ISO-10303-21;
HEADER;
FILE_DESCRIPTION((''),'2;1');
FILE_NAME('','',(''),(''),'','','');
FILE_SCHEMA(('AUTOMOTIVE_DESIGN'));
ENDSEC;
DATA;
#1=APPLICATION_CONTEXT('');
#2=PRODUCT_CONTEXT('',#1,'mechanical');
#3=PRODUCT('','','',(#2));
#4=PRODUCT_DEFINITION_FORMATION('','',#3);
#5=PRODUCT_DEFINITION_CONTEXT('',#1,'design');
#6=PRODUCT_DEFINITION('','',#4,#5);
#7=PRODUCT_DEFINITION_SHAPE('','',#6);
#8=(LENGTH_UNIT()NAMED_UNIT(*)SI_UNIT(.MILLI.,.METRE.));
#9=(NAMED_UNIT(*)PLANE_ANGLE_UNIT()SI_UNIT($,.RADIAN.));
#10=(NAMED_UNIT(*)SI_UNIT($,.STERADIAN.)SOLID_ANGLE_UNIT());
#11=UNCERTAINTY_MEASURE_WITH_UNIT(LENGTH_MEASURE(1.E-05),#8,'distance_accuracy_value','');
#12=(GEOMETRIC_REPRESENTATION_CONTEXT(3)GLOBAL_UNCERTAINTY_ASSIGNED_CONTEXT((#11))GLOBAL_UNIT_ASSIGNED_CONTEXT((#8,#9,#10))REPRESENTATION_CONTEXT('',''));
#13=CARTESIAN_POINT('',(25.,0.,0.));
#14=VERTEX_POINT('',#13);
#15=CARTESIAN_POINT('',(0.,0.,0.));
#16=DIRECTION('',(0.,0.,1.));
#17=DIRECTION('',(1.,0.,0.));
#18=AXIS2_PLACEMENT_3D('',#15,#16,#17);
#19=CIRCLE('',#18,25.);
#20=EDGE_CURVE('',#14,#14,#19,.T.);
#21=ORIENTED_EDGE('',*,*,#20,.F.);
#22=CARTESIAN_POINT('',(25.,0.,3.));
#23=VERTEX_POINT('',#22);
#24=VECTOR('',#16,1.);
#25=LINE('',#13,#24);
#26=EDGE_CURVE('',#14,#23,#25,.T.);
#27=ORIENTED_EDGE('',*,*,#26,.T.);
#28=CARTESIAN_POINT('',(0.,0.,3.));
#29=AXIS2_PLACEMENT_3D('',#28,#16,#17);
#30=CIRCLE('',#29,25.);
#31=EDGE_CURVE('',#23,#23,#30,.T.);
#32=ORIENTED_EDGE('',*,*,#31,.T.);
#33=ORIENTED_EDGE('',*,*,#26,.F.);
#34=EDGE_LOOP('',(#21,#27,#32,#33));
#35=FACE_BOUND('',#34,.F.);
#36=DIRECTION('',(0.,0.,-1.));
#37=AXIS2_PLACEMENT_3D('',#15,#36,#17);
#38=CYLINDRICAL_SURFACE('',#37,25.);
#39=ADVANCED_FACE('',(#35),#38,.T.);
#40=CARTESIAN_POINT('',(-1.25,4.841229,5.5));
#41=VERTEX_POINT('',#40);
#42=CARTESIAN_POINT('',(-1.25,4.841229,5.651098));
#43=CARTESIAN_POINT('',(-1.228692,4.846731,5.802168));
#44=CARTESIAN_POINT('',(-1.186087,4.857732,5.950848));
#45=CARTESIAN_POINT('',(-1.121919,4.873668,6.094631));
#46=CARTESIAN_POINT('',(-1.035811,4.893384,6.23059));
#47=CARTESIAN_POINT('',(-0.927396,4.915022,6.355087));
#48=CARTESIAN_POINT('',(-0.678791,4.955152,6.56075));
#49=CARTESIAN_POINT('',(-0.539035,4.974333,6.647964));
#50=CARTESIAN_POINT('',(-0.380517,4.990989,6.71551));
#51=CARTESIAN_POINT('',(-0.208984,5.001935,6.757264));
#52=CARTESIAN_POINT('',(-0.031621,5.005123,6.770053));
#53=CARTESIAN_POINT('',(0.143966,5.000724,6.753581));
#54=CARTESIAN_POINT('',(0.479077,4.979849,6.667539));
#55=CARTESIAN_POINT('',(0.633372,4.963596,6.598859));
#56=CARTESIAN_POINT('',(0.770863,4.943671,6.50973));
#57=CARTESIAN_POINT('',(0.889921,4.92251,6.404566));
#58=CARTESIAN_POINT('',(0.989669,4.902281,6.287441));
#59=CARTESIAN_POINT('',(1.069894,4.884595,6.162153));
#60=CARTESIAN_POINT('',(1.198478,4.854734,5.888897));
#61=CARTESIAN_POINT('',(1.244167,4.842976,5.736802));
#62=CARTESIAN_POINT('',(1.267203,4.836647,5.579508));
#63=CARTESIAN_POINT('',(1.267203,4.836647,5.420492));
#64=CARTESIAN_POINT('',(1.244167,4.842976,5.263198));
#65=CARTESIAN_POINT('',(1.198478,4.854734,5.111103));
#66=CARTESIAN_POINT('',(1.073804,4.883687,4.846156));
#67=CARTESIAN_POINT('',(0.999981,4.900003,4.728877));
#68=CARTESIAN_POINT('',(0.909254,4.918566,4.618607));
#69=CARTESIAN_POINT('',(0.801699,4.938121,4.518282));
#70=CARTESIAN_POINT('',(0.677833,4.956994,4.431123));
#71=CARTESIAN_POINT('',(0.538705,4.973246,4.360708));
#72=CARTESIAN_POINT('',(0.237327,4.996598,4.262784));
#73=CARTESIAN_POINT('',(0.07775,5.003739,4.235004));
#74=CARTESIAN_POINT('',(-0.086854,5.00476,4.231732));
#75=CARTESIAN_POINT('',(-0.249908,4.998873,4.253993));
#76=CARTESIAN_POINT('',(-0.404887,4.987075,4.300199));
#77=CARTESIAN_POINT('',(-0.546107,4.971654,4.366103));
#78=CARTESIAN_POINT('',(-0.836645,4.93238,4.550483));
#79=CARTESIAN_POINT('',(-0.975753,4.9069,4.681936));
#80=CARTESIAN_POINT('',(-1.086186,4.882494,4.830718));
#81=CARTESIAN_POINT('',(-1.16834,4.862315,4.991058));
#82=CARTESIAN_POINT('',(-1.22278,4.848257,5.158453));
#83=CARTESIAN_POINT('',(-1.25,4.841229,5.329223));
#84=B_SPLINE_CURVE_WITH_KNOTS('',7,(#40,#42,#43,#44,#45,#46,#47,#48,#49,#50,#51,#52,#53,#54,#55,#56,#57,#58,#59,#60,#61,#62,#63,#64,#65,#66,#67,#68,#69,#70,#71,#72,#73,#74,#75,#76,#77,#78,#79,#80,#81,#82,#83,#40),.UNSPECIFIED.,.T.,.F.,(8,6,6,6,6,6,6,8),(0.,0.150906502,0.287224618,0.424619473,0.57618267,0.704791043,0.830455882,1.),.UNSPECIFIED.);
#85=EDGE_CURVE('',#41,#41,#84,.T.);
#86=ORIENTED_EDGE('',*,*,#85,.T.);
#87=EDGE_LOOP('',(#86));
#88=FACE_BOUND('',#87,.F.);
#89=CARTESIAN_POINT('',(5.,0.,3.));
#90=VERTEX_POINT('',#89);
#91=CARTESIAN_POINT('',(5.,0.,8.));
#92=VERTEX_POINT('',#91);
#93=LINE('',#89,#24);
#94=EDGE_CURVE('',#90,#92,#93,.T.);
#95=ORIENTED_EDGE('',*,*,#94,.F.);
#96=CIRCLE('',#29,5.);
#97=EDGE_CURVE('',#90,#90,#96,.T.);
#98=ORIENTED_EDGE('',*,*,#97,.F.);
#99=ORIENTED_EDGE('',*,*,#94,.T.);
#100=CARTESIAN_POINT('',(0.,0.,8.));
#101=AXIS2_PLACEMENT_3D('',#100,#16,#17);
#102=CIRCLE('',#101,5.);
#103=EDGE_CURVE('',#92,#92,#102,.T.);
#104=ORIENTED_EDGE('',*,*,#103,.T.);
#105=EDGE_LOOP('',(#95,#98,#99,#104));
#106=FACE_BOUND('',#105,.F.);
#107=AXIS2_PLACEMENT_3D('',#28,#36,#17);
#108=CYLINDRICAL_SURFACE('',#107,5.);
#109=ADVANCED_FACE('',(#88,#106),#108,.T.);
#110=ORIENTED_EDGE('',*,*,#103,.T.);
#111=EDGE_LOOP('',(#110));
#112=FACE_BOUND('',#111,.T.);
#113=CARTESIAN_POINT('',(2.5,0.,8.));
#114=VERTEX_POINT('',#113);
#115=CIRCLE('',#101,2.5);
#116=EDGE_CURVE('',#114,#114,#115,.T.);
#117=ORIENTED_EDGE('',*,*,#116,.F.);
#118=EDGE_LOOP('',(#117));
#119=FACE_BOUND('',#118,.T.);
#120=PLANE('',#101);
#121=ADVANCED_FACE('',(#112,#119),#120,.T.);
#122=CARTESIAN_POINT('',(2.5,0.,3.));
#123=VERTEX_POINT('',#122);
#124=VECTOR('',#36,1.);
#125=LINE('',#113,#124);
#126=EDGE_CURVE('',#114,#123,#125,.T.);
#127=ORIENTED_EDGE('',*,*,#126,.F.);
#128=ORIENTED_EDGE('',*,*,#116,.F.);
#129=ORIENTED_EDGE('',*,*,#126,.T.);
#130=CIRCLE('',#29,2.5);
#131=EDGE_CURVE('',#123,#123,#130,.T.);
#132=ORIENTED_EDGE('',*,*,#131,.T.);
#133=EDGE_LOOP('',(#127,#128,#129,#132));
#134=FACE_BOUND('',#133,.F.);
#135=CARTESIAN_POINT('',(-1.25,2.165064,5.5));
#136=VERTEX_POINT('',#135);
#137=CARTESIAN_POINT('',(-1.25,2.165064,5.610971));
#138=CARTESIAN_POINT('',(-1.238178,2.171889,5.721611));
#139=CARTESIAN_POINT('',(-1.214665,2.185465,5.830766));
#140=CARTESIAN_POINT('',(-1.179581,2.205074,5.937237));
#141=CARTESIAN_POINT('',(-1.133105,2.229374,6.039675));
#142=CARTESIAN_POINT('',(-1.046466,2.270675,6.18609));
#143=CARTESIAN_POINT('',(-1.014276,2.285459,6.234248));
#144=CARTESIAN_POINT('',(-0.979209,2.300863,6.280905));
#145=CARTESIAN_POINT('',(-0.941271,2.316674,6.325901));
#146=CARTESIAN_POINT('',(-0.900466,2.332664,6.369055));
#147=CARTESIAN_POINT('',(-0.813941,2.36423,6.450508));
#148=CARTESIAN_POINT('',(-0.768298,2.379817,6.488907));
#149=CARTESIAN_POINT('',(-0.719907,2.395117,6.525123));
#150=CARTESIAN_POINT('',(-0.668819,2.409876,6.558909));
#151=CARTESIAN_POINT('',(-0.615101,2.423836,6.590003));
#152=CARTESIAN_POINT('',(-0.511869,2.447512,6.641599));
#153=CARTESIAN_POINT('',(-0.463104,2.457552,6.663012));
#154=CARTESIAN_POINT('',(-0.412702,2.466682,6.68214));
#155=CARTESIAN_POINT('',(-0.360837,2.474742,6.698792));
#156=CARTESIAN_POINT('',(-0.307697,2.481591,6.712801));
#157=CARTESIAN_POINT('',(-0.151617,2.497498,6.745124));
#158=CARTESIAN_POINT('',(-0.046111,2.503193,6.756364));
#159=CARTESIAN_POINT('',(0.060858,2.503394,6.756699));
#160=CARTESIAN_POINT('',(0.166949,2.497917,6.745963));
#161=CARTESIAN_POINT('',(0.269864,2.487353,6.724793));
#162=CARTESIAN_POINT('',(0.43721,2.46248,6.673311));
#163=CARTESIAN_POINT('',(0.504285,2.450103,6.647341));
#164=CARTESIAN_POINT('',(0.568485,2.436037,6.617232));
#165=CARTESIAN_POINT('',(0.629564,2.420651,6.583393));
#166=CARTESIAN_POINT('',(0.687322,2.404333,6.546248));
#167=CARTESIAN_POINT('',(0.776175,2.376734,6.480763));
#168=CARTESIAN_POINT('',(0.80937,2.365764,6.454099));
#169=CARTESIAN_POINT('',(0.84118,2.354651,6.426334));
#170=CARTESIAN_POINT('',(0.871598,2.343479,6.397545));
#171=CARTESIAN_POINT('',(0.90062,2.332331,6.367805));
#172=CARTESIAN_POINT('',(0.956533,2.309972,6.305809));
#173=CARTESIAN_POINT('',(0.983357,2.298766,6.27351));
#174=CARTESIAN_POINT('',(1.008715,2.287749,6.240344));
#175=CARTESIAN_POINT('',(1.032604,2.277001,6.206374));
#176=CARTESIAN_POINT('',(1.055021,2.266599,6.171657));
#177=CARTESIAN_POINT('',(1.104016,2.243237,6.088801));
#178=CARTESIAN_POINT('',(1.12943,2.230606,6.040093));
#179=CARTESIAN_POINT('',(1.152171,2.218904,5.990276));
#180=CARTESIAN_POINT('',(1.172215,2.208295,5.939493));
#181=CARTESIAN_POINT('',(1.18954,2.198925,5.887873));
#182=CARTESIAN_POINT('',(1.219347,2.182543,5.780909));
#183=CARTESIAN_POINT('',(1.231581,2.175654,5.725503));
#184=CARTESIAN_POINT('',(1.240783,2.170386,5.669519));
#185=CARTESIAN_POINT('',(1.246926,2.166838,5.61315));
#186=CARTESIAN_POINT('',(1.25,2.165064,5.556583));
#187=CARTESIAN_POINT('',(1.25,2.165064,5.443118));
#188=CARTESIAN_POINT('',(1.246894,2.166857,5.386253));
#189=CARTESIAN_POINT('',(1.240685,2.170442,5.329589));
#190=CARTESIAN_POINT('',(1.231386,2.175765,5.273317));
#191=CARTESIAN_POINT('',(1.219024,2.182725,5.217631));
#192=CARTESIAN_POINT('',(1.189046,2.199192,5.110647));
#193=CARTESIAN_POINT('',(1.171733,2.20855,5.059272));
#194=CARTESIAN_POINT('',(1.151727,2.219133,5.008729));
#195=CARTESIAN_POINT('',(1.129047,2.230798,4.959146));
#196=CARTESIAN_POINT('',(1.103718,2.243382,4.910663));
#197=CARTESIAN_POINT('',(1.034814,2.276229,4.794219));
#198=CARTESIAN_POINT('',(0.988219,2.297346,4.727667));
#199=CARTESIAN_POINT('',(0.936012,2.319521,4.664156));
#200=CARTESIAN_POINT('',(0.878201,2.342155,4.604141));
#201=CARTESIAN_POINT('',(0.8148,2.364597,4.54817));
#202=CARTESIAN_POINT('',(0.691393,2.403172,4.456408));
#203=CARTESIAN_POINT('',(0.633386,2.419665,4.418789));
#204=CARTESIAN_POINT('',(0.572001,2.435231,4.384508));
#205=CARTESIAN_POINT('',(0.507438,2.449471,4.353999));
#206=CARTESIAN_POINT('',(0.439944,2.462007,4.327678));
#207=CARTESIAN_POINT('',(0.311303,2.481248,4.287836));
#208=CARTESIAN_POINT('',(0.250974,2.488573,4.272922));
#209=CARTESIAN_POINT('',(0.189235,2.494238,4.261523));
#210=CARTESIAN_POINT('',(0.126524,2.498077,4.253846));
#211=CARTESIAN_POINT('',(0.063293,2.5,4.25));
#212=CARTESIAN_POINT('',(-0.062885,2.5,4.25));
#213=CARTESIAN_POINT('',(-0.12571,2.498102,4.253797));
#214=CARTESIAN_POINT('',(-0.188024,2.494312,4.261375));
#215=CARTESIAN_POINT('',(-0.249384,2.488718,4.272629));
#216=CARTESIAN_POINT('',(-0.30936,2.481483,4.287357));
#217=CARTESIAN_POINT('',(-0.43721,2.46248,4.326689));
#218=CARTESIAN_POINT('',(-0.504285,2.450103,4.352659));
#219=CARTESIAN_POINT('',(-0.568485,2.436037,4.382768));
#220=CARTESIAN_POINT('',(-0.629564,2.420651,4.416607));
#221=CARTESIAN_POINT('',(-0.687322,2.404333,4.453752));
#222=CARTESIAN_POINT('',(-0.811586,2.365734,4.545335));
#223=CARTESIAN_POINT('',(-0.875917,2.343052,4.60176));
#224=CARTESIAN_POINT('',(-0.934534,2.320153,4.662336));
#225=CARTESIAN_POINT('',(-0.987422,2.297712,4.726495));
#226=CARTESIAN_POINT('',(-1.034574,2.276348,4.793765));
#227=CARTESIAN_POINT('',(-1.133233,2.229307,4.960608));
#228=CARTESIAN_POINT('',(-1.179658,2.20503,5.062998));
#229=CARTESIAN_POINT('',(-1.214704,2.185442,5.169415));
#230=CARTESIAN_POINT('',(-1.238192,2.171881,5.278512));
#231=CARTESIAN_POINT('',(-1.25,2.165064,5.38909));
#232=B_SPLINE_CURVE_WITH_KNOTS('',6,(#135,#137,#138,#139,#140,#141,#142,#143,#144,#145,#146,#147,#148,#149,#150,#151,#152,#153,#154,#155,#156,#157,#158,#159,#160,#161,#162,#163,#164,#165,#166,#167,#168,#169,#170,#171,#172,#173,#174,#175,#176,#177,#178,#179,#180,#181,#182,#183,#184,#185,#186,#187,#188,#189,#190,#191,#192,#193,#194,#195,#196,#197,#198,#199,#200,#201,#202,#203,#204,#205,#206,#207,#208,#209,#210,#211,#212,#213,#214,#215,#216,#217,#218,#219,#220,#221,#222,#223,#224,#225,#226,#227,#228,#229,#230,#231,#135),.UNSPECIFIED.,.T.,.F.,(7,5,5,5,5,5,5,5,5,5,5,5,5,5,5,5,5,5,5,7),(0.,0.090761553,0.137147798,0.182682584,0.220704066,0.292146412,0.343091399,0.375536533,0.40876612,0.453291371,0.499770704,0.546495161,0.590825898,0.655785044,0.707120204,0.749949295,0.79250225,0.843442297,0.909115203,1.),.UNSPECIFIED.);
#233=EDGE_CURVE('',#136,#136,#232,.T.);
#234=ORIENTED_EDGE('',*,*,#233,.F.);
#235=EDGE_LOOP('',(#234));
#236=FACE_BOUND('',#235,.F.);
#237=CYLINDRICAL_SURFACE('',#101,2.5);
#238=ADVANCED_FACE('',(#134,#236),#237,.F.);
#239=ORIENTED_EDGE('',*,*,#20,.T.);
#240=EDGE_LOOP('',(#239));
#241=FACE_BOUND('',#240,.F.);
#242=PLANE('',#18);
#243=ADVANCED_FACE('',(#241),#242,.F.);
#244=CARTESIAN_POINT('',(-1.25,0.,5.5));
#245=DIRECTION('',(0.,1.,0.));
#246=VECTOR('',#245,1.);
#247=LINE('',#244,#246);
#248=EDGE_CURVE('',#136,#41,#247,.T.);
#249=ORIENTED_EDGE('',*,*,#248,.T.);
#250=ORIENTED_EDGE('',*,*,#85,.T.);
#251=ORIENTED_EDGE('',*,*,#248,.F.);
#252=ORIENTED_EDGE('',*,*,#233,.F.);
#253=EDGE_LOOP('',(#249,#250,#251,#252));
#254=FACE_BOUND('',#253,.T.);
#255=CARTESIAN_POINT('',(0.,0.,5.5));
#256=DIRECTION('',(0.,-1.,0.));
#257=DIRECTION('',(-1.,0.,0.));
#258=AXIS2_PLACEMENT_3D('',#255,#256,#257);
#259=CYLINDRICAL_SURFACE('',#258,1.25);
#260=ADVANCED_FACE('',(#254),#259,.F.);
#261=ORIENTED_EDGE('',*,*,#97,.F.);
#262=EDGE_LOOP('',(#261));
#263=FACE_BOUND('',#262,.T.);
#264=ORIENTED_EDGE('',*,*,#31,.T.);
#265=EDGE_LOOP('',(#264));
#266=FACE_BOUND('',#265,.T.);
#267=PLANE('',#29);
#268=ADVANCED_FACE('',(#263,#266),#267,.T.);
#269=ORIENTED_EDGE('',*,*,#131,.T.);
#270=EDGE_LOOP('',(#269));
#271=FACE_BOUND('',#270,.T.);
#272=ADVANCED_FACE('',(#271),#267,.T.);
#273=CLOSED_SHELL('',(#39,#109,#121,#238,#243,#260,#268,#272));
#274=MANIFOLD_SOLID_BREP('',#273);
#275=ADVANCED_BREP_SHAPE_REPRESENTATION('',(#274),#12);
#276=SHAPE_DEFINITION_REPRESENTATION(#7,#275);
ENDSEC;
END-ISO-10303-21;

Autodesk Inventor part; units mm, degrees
ref_plane "YZ Plane" through (0, 0, 0) normal (1, 0, 0) x (0, 1, 0)
ref_plane "XZ Plane" through (0, 0, 0) normal (0, 1, 0) x (-1, 0, 0)
ref_plane "XY Plane" through (0, 0, 0) normal (0, 0, 1) x (1, 0, 0)
sketch "Sketch1" plane through (0, 0, 0) normal (0, 0, 1) x (1, 0, 0)
  circle A0 centre (0, 0) radius 25
  dimension "d0" = 50
extrude "Extrusion1" add sketch "Sketch1" along normal blind 3
sketch "Sketch2" plane through (0, 0, 3) normal (0, 0, 1) x (1, 0, 0)
  circle A0 centre (0, 0) radius 5
  dimension "d3" = 10
extrude "Extrusion2" add sketch "Sketch2" along normal blind 5
sketch "Sketch3" plane through (0, 0, 8) normal (0, 0, 1) x (1, 0, 0)
  circle A0 centre (0, 0) radius 2.5
  dimension "d6" = 5
extrude "Extrusion3" cut sketch "Sketch3" against normal blind 5
sketch "Sketch4" plane through (0, 0, 0) normal (0, 1, 0) x (-1, 0, 0)
  point P0 (0, 0)
sketch "Sketch5" plane through (0, 0, 0) normal (0, 1, 0) x (-1, 0, 0)
  point P0 (0, 0)
sketch "Sketch6" plane through (0, 0, 0) normal (0, 1, 0) x (-1, 0, 0)
  point P0 (0, 0)
sketch "Sketch7" plane through (0, 0, 0) normal (0, 1, 0) x (-1, 0, 0)
  line L0 (5, 8) -> (-5, 8) projected
  line L1 (0, 8) -> (0, 3)
  line L2 (25, 3) -> (-25, 3) projected
  circle A0 centre (0, 5.5) radius 1.25
  point P0 (0, 0)
  dimension "d9" = 2.5
extrude "Extrusion4" cut sketch "Sketch7" along normal blind 6.1125
thread "Thread1" size "M3x0.5" class "6H" standard "ANSI Metric M Profile" full length
properties part number "Tampa_RoloA"
